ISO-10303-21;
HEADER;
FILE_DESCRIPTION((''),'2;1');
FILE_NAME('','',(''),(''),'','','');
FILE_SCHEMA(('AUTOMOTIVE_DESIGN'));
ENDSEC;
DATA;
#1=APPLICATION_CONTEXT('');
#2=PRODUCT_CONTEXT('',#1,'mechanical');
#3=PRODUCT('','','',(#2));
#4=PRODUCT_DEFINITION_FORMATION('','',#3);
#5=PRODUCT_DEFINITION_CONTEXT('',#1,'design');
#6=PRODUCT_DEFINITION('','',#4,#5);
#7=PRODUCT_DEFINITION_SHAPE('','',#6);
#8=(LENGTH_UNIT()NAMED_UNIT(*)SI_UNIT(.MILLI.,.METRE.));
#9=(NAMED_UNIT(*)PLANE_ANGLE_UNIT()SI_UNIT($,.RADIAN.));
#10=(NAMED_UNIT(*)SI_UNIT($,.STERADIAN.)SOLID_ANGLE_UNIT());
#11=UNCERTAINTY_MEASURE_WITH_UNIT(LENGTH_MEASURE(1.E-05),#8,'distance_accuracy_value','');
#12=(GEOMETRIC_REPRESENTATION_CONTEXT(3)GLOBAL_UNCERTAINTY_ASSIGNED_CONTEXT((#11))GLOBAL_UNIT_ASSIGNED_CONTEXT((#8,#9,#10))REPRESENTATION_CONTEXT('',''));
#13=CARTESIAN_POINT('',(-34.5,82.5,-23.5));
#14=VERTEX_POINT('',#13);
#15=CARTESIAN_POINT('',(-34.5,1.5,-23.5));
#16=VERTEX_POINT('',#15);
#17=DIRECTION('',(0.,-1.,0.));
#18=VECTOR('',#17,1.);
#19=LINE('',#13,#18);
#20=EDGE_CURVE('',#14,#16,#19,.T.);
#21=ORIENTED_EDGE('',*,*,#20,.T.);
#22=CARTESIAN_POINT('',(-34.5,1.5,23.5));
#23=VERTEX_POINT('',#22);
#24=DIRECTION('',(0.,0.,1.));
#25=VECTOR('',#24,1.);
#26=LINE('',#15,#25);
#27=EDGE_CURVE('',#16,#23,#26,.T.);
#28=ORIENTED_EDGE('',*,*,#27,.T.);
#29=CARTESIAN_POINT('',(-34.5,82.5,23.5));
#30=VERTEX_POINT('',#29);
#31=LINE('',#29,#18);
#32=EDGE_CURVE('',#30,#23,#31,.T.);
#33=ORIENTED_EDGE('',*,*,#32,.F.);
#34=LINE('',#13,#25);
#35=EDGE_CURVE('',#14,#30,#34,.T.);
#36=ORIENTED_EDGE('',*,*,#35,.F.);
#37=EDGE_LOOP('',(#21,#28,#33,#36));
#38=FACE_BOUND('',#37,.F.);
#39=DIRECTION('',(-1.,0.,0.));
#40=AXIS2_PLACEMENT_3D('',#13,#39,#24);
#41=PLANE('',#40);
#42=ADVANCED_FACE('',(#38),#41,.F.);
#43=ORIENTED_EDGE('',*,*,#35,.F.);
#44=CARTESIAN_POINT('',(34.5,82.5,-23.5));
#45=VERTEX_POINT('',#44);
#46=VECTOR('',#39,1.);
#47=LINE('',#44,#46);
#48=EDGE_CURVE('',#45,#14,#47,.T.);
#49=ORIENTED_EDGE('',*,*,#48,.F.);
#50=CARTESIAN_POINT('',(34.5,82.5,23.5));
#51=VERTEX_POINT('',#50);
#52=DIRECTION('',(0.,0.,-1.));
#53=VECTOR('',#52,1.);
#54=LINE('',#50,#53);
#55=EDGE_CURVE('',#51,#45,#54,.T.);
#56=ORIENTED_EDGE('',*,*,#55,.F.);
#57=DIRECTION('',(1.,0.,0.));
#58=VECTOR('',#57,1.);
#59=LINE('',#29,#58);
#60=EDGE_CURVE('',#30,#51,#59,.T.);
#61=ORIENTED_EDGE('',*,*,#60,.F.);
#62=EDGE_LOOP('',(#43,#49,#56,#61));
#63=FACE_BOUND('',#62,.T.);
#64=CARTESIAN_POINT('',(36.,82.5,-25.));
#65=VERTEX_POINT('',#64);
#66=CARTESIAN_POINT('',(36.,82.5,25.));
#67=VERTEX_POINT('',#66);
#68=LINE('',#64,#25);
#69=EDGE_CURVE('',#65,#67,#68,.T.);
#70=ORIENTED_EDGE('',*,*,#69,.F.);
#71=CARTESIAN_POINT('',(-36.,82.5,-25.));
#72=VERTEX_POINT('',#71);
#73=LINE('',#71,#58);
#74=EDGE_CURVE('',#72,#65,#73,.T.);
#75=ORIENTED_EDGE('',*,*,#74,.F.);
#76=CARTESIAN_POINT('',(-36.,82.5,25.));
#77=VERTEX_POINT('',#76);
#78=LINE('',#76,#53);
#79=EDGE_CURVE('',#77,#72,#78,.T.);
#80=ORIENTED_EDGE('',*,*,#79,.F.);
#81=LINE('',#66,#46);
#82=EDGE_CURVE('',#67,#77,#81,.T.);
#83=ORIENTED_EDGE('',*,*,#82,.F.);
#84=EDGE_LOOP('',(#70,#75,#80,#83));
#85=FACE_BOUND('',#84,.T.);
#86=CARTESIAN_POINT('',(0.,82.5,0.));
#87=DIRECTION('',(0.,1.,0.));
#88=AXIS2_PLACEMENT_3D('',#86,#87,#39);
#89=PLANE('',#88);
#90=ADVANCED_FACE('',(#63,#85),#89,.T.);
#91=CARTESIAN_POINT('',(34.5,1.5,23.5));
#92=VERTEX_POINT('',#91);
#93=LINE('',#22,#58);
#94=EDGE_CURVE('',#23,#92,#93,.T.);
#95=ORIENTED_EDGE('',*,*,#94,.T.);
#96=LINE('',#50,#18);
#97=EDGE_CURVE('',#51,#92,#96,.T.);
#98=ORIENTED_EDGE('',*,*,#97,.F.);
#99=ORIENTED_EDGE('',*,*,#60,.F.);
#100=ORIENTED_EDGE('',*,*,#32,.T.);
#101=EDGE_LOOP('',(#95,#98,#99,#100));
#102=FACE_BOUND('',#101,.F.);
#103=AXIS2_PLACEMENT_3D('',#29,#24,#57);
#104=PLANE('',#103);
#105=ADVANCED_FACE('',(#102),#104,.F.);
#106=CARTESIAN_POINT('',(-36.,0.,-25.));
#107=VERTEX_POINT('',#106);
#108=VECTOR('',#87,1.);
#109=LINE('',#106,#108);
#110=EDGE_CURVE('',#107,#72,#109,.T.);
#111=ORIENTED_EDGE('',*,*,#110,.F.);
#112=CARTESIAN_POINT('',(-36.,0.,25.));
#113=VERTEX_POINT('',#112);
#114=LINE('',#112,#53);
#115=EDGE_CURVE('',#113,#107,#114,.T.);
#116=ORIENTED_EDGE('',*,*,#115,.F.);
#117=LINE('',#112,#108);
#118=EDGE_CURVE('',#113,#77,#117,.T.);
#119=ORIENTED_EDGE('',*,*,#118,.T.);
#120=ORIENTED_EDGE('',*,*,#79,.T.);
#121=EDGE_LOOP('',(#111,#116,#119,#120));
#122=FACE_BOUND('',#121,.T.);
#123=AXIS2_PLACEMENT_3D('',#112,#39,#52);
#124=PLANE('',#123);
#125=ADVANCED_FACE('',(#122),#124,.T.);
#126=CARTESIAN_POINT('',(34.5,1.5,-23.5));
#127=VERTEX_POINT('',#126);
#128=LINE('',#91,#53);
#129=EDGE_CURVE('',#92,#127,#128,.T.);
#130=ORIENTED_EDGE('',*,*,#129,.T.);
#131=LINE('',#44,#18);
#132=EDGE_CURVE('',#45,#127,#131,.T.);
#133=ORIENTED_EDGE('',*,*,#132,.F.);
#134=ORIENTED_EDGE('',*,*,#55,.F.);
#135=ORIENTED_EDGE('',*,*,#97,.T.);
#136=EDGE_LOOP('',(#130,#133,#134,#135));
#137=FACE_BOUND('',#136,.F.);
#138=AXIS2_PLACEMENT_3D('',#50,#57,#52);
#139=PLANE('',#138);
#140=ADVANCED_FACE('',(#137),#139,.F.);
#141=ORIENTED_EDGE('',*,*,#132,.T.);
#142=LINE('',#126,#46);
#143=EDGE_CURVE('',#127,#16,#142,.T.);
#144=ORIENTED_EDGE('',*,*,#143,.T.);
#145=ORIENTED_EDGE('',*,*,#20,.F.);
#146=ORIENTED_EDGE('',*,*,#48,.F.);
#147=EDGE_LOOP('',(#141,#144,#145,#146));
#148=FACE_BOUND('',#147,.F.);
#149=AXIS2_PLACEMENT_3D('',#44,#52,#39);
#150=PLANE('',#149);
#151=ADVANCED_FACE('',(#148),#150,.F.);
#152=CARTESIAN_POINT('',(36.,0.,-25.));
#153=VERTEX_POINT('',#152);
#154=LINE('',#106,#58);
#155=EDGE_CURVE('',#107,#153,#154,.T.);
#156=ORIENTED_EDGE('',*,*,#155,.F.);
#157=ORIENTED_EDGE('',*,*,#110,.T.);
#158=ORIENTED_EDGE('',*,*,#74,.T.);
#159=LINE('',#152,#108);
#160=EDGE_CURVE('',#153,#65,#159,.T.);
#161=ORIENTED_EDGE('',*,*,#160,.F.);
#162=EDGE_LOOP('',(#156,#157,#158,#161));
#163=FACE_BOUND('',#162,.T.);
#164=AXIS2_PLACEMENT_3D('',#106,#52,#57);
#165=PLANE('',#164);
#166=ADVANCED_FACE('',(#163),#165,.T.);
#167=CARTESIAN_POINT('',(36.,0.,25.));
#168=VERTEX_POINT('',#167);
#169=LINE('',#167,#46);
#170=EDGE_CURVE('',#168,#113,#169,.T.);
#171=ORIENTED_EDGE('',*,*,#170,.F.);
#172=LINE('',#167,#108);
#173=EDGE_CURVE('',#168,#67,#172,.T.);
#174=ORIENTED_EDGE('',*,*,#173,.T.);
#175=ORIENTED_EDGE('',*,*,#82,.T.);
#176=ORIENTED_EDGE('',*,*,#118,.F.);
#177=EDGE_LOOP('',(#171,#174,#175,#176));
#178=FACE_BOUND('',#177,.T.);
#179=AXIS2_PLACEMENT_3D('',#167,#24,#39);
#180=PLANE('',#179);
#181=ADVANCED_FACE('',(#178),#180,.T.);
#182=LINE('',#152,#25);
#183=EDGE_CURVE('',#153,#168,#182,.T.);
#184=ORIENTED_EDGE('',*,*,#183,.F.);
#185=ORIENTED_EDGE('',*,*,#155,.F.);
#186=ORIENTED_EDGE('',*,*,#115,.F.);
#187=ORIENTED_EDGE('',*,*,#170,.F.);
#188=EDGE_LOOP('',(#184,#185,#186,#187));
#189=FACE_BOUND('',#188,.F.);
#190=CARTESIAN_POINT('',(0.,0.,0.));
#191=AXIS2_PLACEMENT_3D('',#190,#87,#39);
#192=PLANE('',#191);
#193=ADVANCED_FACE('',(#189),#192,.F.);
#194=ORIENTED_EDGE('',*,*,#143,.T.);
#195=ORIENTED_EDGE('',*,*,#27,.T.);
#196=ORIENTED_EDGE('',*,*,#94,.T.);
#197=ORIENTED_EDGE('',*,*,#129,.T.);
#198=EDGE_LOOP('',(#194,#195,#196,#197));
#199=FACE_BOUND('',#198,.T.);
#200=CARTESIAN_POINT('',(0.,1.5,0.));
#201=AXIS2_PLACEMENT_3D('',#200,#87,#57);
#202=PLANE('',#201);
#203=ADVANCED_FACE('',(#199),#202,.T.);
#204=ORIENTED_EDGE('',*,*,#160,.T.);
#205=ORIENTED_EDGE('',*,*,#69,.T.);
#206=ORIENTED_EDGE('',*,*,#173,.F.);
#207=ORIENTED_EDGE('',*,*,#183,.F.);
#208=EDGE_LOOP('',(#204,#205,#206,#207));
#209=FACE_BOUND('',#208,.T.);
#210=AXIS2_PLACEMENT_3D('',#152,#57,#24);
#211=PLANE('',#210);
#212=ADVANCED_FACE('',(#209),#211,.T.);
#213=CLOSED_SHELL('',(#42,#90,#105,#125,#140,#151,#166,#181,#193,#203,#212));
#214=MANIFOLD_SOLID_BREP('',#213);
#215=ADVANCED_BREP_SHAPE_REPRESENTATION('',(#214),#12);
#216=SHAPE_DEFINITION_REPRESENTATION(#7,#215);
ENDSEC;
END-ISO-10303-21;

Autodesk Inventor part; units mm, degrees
ref_plane "YZ Plane" through (0, 0, 0) normal (1, 0, 0) x (0, 1, 0)
ref_plane "XZ Plane" through (0, 0, 0) normal (0, 1, 0) x (-1, 0, 0)
ref_plane "XY Plane" through (0, 0, 0) normal (0, 0, 1) x (1, 0, 0)
sketch "Boceto3" plane through (0, 0, 0) normal (0, 1, 0) x (-1, 0, 0)
  line L0 (36, -25) -> (-36, -25)
  line L1 (-36, -25) -> (-36, 25)
  line L2 (-36, 25) -> (36, 25)
  line L3 (36, 25) -> (36, -25)
  point P0 (0, 0)
  point P1 (36, 0)
  point P2 (0, -25)
  dimension "d8" = 72
  dimension "d9" = 50
extrude "Extrusión2" add sketch "Boceto3" along normal blind 82.5
sketch "Boceto5" plane through (0, 82.5, 0) normal (0, 1, 0) x (1, 0, 0)
  line L0 (-34.5, -23.5) -> (34.5, -23.5)
  line L1 (34.5, -23.5) -> (34.5, 23.5)
  line L2 (34.5, 23.5) -> (-34.5, 23.5)
  line L3 (-34.5, 23.5) -> (-34.5, -23.5)
  line L4 (-36, 25) -> (-36, -25) projected
  line L5 (36, 25) -> (-36, 25) projected
  line L6 (36, -25) -> (36, 25) projected
  line L7 (-36, -25) -> (36, -25) projected
  point P0 (0, 0)
  dimension "d12" = 1.5
  dimension "d13" = 1.5
  dimension "d14" = 1.5
  dimension "d15" = 1.5
extrude "Extrusión3" cut sketch "Boceto5" against normal blind 81 contours L3 L2 L1 L0
properties part number "Caja1_SinOrificios"
